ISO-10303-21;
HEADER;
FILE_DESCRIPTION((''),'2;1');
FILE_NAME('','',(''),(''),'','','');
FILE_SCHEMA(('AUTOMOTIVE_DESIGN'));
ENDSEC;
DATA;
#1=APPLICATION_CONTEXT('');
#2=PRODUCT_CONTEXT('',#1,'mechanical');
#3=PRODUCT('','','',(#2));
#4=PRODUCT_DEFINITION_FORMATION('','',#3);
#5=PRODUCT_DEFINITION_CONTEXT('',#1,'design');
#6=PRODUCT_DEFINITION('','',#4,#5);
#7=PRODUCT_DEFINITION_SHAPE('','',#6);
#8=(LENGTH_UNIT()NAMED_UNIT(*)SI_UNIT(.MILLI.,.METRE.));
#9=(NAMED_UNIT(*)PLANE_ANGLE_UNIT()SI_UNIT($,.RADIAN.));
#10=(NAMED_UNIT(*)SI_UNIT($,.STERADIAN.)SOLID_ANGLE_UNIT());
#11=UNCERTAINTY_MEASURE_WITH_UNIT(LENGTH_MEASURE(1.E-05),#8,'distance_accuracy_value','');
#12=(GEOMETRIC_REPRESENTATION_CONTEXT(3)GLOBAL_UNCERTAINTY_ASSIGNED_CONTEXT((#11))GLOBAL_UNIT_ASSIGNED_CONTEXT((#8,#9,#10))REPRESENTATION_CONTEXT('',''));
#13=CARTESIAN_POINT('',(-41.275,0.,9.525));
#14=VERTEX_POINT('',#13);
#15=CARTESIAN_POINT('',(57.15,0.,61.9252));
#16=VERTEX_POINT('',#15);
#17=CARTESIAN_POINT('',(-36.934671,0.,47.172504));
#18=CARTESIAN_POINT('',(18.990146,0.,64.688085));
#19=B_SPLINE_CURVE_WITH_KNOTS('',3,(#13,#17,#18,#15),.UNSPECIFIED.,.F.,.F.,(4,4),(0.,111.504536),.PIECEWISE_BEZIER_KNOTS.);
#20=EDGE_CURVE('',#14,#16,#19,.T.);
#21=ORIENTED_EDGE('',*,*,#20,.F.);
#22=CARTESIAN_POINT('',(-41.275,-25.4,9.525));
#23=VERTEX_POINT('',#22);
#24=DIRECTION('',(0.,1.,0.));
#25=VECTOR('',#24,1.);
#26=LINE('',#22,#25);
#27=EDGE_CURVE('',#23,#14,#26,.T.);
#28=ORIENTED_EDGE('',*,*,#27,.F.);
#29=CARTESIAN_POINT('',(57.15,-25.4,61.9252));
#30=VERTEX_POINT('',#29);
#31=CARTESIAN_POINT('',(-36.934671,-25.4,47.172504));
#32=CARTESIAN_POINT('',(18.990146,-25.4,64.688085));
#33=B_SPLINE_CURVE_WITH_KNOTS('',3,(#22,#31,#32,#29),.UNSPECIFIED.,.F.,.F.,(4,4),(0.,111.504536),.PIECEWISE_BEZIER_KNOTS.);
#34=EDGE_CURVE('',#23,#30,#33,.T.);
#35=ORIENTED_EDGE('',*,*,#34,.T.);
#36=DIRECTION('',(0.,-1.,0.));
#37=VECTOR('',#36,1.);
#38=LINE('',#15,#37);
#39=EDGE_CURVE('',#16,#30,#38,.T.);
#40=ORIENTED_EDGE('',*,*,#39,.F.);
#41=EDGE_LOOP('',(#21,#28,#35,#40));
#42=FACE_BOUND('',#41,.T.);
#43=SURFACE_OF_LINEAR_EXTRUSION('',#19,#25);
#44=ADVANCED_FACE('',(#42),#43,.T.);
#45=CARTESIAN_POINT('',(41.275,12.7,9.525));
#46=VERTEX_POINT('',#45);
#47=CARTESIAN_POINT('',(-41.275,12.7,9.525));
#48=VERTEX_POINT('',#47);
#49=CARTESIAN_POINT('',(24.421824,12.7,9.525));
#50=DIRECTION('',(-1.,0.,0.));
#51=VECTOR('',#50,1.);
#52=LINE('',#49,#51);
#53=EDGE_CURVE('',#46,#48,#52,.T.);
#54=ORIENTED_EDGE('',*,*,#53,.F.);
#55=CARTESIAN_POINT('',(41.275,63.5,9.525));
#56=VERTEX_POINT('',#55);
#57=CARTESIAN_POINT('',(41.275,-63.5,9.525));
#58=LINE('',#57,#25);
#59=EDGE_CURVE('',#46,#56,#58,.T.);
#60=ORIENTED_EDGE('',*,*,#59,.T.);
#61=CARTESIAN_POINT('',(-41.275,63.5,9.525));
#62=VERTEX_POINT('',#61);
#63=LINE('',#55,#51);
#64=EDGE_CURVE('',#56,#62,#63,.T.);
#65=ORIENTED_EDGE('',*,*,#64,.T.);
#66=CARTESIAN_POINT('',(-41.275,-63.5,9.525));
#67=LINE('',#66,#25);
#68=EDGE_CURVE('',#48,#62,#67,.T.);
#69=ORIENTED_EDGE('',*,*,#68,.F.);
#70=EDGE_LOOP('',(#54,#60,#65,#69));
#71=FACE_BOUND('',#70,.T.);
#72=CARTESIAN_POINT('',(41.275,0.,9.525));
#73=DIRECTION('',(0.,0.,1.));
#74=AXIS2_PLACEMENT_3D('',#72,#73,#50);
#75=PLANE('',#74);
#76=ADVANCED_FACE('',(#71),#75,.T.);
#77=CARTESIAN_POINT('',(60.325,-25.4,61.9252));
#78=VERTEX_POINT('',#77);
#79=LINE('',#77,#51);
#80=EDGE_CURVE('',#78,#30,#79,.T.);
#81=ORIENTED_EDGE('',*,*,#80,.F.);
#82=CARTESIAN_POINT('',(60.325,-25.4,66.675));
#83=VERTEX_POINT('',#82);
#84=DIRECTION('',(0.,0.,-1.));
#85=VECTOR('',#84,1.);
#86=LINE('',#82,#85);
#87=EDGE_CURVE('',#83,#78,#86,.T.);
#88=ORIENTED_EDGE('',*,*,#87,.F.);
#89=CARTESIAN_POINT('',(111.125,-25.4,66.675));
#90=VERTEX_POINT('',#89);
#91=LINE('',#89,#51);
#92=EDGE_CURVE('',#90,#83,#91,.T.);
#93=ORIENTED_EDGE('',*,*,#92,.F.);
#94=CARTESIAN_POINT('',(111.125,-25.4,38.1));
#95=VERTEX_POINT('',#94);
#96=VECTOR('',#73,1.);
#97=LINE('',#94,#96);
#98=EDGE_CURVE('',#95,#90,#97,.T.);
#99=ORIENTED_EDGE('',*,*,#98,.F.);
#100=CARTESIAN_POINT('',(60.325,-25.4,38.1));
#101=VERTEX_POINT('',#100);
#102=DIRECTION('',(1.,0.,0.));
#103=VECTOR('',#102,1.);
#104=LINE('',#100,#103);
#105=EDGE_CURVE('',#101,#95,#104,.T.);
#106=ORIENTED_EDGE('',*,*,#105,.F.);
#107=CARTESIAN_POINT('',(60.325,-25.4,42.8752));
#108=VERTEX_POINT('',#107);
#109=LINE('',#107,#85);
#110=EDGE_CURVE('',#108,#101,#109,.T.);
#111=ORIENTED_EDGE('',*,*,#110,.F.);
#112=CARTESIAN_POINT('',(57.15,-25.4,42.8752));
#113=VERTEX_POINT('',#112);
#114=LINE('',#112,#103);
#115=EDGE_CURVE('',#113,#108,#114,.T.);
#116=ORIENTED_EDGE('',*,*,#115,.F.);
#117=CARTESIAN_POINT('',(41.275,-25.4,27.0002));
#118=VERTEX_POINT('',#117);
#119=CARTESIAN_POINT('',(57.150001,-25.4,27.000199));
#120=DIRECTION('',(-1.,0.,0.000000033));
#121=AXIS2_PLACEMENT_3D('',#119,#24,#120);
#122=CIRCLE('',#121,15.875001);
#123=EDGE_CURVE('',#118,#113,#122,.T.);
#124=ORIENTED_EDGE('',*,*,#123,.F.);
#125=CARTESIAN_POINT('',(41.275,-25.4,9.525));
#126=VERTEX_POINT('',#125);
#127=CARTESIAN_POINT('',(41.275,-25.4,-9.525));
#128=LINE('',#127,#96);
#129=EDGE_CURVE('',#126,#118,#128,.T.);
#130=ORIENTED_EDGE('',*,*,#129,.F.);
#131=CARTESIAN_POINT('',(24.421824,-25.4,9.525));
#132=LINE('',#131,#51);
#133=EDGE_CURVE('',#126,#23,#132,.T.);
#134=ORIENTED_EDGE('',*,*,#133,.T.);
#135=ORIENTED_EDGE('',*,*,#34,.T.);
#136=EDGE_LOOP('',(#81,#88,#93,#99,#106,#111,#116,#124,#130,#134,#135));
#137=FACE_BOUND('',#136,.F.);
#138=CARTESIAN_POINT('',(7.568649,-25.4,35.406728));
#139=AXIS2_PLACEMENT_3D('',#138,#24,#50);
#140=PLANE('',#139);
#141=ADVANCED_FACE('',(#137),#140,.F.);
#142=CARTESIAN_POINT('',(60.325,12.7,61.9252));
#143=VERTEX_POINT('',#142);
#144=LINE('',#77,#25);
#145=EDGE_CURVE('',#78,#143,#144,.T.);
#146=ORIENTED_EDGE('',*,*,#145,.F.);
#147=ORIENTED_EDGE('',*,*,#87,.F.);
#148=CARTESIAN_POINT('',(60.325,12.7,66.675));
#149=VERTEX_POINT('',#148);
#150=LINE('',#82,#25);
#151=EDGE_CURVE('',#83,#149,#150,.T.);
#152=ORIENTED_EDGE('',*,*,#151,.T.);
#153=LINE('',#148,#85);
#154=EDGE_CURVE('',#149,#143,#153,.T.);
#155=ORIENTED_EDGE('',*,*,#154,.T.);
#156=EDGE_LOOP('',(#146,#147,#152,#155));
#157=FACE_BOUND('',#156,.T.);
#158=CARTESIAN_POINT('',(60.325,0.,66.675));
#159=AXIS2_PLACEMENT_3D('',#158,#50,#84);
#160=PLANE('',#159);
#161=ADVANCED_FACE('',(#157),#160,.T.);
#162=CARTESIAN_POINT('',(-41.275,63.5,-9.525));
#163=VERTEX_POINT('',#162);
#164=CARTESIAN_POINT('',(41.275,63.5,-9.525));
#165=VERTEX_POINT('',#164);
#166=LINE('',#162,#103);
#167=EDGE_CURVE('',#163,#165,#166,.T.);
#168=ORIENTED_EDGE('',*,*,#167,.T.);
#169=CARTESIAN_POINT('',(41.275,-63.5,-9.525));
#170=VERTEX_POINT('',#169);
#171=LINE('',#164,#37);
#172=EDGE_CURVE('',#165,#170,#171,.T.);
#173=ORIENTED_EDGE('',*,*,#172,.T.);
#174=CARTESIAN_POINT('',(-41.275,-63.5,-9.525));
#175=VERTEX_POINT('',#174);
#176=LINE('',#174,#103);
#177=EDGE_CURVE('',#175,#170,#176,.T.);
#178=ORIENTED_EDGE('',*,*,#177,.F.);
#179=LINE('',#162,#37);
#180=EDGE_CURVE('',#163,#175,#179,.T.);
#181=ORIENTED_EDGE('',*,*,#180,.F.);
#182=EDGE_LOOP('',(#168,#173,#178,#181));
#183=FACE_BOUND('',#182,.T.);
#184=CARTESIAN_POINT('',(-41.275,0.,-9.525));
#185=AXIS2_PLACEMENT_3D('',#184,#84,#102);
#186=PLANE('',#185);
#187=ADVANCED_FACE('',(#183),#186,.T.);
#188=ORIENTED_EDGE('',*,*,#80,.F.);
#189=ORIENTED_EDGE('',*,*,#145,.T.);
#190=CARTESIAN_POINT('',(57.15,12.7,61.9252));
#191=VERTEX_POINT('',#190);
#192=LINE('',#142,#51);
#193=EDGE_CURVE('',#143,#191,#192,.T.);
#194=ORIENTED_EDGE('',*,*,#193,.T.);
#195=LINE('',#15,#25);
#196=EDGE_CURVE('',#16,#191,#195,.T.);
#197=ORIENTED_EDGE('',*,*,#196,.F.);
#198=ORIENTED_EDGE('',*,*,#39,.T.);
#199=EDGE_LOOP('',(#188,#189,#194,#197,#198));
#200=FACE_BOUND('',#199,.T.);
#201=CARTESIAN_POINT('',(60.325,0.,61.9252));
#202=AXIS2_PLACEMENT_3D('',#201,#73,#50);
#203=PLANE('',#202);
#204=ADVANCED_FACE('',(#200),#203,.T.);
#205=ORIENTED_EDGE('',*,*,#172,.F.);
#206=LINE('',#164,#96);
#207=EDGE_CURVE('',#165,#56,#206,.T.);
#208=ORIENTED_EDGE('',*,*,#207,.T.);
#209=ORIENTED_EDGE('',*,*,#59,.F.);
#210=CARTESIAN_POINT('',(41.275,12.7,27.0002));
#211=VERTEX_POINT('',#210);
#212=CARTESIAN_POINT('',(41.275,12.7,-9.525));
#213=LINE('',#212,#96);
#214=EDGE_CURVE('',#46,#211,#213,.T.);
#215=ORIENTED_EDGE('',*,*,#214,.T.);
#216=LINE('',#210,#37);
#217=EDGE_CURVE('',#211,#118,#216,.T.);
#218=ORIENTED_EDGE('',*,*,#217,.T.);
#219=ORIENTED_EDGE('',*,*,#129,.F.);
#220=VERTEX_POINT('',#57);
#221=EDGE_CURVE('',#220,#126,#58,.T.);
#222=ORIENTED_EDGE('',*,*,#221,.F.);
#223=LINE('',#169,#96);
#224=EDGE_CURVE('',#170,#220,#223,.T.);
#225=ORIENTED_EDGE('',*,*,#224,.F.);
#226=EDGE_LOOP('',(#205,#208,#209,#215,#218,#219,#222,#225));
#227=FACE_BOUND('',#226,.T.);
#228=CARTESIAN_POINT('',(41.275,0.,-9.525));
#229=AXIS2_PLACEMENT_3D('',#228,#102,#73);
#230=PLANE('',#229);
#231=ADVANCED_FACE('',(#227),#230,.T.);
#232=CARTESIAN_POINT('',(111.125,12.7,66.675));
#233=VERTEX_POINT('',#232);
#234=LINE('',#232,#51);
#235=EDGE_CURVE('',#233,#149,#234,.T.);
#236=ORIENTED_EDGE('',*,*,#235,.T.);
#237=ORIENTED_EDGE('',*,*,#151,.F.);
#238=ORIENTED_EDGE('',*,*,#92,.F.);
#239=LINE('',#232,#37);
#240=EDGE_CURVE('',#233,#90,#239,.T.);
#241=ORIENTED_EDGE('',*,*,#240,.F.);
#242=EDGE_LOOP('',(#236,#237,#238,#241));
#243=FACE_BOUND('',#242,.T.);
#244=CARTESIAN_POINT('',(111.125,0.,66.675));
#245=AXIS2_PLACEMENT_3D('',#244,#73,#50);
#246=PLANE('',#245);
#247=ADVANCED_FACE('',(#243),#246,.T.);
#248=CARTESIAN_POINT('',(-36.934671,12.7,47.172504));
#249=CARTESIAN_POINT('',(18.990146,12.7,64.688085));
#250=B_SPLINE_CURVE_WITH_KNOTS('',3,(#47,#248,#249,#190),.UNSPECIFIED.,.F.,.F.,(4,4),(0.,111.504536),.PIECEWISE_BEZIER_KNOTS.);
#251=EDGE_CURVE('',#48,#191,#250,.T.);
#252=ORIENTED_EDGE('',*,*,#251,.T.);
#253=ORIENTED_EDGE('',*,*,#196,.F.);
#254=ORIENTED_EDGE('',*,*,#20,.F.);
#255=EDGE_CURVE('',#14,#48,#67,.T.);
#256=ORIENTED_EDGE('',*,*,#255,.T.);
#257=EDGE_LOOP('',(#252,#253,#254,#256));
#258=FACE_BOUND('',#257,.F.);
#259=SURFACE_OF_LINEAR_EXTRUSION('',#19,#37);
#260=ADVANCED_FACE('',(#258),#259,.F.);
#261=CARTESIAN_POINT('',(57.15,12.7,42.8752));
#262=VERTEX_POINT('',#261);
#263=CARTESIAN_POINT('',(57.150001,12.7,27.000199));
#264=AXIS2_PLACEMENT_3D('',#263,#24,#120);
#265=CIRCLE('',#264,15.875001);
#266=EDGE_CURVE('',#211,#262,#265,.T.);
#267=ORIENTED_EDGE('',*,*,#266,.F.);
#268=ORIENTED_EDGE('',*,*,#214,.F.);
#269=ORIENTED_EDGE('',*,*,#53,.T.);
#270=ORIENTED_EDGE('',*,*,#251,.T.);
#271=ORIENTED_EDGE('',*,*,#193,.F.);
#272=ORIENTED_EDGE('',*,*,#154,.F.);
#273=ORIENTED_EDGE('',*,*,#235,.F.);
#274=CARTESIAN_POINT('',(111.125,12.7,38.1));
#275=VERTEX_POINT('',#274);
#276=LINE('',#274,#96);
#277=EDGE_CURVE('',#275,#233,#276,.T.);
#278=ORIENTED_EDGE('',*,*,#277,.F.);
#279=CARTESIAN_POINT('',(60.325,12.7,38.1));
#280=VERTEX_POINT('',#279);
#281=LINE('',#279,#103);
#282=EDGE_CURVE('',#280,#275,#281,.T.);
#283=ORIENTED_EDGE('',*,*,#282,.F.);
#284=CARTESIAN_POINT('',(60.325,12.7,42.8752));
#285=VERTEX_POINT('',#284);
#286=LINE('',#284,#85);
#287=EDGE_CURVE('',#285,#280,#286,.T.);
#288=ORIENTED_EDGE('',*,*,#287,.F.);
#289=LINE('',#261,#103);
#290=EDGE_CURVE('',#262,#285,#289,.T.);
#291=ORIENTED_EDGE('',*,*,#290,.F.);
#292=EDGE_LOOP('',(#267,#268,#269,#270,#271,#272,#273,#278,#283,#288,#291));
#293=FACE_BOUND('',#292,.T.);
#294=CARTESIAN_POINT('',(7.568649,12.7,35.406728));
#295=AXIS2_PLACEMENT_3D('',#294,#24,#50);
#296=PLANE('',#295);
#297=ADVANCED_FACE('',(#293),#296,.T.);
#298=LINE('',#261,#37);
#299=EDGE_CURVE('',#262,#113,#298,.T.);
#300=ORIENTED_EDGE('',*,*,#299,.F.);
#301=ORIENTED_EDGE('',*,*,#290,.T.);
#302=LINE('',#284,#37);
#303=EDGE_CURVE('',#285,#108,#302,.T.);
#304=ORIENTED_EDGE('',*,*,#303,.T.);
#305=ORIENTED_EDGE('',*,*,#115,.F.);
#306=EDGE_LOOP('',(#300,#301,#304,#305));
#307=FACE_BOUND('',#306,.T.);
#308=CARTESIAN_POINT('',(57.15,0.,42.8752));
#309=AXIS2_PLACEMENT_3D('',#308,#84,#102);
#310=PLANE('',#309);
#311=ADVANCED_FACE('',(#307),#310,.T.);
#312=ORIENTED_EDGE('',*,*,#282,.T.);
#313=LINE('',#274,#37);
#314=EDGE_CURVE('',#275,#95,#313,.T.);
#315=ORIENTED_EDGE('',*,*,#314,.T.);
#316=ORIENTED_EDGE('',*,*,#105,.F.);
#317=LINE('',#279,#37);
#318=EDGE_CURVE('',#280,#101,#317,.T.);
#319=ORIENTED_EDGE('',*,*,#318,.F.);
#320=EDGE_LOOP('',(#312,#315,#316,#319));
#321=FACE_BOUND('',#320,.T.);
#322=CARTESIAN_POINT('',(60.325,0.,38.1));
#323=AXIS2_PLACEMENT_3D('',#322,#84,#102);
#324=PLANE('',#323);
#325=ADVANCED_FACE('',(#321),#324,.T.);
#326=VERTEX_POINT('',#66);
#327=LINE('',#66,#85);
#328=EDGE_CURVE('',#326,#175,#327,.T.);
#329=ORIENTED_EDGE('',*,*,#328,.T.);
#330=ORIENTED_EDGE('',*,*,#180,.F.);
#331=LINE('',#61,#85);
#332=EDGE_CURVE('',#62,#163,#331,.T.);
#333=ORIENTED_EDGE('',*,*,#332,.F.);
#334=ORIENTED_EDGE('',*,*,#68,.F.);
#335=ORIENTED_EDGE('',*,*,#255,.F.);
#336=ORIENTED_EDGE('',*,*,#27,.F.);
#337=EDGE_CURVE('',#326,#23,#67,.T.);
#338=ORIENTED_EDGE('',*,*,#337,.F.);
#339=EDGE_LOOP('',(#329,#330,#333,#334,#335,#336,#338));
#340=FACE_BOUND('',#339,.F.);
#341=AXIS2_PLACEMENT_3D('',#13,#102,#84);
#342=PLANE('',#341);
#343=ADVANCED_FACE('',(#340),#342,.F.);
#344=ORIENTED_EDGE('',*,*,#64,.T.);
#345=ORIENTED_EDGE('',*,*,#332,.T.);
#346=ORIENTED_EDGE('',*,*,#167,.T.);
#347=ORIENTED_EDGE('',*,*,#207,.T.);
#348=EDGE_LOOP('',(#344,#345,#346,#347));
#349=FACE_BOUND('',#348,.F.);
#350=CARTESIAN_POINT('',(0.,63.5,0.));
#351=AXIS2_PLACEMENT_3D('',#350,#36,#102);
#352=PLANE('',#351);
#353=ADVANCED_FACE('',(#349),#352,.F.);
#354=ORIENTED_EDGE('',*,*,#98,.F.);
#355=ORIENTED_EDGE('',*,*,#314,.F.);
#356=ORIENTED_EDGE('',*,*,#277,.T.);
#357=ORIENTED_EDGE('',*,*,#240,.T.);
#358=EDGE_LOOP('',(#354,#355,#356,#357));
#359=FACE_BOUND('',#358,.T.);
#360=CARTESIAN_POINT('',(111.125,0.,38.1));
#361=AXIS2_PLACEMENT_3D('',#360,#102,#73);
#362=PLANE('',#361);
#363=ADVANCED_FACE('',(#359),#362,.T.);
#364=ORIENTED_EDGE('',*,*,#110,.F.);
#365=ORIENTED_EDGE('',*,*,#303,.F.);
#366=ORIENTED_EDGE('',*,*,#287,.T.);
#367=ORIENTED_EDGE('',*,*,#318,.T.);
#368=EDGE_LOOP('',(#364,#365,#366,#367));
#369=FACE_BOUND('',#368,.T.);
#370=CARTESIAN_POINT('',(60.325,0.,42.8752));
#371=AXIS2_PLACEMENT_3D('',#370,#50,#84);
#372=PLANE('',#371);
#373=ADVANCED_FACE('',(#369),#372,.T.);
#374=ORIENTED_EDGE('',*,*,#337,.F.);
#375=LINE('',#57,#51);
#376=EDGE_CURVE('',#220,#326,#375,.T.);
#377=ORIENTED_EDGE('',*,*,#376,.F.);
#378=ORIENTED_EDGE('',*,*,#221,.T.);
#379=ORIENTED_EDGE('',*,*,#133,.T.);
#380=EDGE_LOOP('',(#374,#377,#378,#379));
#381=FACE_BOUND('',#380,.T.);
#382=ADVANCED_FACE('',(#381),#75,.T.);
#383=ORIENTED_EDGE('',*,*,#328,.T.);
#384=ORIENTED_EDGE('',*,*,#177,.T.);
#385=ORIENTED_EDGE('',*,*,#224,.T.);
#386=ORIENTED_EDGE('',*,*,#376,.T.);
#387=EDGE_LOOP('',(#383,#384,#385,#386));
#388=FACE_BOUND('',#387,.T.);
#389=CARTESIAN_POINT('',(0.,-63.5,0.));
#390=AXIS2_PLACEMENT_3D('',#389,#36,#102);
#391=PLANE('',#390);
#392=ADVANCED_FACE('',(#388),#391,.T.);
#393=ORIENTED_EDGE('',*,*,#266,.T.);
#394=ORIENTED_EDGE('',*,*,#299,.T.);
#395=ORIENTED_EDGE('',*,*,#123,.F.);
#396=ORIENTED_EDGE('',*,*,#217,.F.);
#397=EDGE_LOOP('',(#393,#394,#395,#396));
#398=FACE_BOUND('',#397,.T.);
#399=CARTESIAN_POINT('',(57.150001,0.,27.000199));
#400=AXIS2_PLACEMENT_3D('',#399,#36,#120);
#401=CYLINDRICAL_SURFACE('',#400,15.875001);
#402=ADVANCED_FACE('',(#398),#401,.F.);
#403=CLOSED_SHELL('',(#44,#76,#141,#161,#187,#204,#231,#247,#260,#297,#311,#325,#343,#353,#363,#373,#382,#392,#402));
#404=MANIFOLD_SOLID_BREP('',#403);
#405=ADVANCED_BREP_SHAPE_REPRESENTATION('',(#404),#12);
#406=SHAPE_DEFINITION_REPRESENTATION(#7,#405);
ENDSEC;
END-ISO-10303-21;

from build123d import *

# Parameters (mm, degrees)
F1_DEPTH = 63.5
F2_DEPTH = 25.4
F3_DEPTH = 12.7


with BuildPart() as f1:
    # F0 (on Front) → F1 (new body, symmetric)
    with BuildSketch(Plane.XZ):
        Polygon((22.225, 9.525), (-41.275, 9.525), (-41.275, -9.525), (41.275, -9.525), (41.275, 9.525), align=None)
    extrude(amount=F1_DEPTH, both=True)

    # F0 (on Front) → F2 (join)
    with BuildSketch(Plane.XZ):
        with BuildLine():
            add(Edge.make_bspline(
                [(-41.275, 9.525), (-36.934671, 47.172504), (18.990146, 64.688085), (57.15, 61.9252)],
                knots=[0, 0, 0, 0, 111.504536, 111.504536, 111.504536, 111.504536], degree=3))
            Line((-41.275, 9.525), (22.225, 9.525))
            Line((22.225, 9.525), (22.225, 27.0002))
            ThreePointArc((22.225, 27.0002), (32.454296, 51.695904), (57.15, 61.9252))
        make_face()
        Polygon((22.225, 9.525), (-41.275, 9.525), (-41.275, -9.525), (41.275, -9.525), (41.275, 9.525), align=None)
        with BuildLine():
            Line((22.225, 27.0002), (22.225, 9.525))
            Line((22.225, 9.525), (41.275, 9.525))
            Line((41.275, 9.525), (41.275, 27.0002))
            ThreePointArc((41.275, 27.0002), (45.92468, 38.22552), (57.15, 42.8752))
            Line((57.15, 42.8752), (60.325, 42.8752))
            Line((60.325, 42.8752), (60.325, 61.9252))
            Line((60.325, 61.9252), (57.15, 61.9252))
            ThreePointArc((57.15, 61.9252), (32.454296, 51.695904), (22.225, 27.0002))
        make_face()
        Polygon((60.325, 66.675), (60.325, 61.9252), (60.325, 42.8752), (60.325, 38.1), (111.125, 38.1), (111.125, 66.675), align=None)
    extrude(amount=F2_DEPTH)

    # F0 (on Front) → F3 (join, symmetric)
    with BuildSketch(Plane.XZ):
        with BuildLine():
            add(Edge.make_bspline(
                [(-41.275, 9.525), (-36.934671, 47.172504), (18.990146, 64.688085), (57.15, 61.9252)],
                knots=[0, 0, 0, 0, 111.504536, 111.504536, 111.504536, 111.504536], degree=3))
            Line((-41.275, 9.525), (22.225, 9.525))
            Line((22.225, 9.525), (22.225, 27.0002))
            ThreePointArc((22.225, 27.0002), (32.454296, 51.695904), (57.15, 61.9252))
        make_face()
        Polygon((22.225, 9.525), (-41.275, 9.525), (-41.275, -9.525), (41.275, -9.525), (41.275, 9.525), align=None)
        with BuildLine():
            Line((22.225, 27.0002), (22.225, 9.525))
            Line((22.225, 9.525), (41.275, 9.525))
            Line((41.275, 9.525), (41.275, 27.0002))
            ThreePointArc((41.275, 27.0002), (45.92468, 38.22552), (57.15, 42.8752))
            Line((57.15, 42.8752), (60.325, 42.8752))
            Line((60.325, 42.8752), (60.325, 61.9252))
            Line((60.325, 61.9252), (57.15, 61.9252))
            ThreePointArc((57.15, 61.9252), (32.454296, 51.695904), (22.225, 27.0002))
        make_face()
        Polygon((60.325, 66.675), (60.325, 61.9252), (60.325, 42.8752), (60.325, 38.1), (111.125, 38.1), (111.125, 66.675), align=None)
    extrude(amount=F3_DEPTH, both=True)


solid = f1.part
